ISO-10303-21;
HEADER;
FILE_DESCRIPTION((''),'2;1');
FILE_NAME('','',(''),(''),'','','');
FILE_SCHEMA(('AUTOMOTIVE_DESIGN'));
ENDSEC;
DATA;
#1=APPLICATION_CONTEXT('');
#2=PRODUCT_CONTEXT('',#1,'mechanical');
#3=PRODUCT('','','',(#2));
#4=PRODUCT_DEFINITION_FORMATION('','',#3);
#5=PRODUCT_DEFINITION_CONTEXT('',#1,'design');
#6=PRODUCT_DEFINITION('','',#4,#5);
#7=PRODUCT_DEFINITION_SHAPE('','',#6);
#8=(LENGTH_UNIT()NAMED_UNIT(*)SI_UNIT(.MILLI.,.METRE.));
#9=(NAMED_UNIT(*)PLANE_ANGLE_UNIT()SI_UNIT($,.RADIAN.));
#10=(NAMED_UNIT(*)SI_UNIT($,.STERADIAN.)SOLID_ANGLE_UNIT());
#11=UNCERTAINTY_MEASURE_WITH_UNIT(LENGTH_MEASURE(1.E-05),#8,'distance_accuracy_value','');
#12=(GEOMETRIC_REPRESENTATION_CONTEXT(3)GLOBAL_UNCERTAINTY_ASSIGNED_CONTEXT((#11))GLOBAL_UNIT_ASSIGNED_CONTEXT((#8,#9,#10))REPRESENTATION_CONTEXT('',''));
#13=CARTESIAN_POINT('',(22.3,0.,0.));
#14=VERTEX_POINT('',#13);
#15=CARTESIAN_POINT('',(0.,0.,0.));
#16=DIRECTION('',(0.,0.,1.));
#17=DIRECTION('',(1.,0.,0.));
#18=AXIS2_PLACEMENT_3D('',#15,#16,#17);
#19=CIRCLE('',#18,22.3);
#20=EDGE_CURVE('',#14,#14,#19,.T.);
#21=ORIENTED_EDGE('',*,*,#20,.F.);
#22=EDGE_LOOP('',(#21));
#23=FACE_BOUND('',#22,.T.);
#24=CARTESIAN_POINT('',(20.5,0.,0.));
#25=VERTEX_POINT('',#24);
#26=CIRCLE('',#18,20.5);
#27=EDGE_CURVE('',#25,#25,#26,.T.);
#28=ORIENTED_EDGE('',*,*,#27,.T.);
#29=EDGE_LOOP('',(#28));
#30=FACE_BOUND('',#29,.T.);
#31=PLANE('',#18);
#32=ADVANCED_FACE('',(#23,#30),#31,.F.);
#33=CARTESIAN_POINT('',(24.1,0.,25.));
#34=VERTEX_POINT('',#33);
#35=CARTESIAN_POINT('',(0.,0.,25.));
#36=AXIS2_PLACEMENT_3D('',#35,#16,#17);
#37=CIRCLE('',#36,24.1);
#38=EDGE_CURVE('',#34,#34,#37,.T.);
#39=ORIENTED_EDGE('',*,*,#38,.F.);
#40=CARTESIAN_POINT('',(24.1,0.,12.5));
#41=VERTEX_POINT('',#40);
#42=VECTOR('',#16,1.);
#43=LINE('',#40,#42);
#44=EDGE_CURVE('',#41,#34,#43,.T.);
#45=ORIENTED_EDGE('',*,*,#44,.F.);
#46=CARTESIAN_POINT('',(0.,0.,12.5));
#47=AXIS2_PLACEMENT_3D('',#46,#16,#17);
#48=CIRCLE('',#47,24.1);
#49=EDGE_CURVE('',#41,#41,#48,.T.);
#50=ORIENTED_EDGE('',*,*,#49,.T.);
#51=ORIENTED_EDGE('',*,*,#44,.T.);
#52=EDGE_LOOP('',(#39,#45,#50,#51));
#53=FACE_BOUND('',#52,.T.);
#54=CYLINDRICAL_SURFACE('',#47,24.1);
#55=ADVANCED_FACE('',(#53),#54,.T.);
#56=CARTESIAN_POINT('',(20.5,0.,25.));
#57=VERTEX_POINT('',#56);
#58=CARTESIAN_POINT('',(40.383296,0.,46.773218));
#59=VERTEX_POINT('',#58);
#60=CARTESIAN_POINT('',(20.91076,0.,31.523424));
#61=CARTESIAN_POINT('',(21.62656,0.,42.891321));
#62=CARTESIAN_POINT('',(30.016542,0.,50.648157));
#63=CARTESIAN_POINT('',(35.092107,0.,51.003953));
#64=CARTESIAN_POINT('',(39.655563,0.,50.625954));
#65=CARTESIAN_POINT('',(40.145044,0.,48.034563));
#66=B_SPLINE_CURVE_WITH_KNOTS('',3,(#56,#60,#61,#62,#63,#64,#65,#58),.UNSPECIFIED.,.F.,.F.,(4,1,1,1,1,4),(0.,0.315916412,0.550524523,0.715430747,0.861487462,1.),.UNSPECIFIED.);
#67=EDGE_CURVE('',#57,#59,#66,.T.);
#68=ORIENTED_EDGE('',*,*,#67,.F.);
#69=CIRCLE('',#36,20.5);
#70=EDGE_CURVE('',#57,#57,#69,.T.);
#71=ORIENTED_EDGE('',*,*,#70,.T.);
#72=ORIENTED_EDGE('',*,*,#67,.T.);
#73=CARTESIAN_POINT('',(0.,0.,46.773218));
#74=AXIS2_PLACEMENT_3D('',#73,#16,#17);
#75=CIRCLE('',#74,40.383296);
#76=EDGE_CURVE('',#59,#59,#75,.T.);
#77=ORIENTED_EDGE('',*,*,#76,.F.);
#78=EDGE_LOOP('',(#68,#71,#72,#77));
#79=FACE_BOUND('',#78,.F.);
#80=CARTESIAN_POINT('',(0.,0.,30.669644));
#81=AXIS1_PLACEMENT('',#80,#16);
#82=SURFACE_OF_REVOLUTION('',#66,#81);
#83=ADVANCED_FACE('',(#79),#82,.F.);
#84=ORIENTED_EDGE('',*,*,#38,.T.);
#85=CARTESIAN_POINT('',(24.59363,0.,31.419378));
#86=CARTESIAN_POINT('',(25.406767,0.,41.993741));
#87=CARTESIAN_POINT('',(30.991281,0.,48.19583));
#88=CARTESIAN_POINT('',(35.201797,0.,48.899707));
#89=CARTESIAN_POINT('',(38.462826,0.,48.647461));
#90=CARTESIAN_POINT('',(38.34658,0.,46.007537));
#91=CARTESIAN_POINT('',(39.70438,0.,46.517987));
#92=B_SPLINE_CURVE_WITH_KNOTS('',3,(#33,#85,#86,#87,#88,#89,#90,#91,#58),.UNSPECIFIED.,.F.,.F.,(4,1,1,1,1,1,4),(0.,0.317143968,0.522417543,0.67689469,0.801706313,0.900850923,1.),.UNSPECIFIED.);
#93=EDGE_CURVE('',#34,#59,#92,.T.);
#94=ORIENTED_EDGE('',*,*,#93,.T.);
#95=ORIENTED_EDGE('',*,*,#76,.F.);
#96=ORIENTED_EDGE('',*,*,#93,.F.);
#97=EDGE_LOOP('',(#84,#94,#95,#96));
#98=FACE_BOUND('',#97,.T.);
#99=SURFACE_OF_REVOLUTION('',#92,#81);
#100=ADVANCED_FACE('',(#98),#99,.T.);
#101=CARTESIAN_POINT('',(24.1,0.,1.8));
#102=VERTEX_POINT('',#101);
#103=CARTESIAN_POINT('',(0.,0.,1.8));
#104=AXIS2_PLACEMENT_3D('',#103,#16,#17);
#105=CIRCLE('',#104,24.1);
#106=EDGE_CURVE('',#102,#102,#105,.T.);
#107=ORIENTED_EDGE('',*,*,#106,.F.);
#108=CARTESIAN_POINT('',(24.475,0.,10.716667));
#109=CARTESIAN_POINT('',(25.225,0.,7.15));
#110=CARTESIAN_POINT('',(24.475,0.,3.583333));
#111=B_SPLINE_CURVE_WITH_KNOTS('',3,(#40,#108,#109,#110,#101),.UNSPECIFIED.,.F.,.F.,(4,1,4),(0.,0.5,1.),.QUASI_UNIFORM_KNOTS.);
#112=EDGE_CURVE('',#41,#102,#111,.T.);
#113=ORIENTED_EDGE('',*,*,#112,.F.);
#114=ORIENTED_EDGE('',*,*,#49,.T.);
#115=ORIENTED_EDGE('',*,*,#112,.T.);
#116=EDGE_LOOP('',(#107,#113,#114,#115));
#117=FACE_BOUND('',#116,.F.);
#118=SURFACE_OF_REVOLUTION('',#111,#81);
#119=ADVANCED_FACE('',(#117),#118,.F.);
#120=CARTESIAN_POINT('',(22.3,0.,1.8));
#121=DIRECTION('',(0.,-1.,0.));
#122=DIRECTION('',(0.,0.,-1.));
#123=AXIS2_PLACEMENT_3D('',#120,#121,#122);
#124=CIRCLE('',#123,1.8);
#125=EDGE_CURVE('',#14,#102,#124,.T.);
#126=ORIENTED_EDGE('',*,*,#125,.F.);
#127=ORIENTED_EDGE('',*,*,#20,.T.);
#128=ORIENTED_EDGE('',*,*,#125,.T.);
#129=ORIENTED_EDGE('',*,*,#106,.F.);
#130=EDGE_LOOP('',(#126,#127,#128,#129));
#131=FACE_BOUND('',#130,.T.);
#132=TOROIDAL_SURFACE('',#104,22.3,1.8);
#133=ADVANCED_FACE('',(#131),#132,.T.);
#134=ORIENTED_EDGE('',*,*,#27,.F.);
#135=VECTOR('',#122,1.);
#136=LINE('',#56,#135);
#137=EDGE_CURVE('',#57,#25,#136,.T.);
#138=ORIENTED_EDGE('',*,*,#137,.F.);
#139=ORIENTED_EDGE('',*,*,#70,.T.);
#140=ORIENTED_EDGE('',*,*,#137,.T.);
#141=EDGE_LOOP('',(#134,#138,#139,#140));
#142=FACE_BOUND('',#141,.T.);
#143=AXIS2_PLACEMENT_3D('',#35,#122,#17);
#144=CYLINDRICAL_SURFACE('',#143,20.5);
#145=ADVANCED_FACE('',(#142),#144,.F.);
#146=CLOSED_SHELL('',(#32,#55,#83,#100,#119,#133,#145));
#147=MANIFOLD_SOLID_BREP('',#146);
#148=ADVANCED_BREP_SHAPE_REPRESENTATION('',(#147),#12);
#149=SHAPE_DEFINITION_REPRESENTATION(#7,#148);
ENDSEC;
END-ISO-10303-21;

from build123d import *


with BuildPart() as f1:
    # F0 (on Front) → F1 (revolve)
    with BuildSketch(Plane.XZ):
        with BuildLine():
            Line((20.5, 25), (20.5, 0))
            Line((20.5, 0), (22.3, 0))
            ThreePointArc((22.3, 0), (23.5727922061, 0.5272077939), (24.1, 1.8))
            add(Edge.make_bspline(
                [(24.1, 12.5), (24.475, 10.7166666667), (25.225, 7.15), (24.475, 3.5833333333), (24.1, 1.8)],
                knots=[0, 0, 0, 0, 0.5, 1, 1, 1, 1], degree=3))
            Line((24.1, 12.5), (24.1, 25))
            add(Edge.make_bspline(
                [(24.1, 25), (24.5936304496, 31.419377683), (25.4067665419, 41.9937409294), (30.9912812997, 48.1958295594), (35.2017970551, 48.8997072199), (38.4628262974, 48.6474611543), (38.3465800839, 46.0075374194), (39.7043803551, 46.5179870532), (40.3832957815, 46.7732176185)],
                knots=[0, 0, 0, 0, 0.317143968, 0.5224175433, 0.6768946905, 0.8017063128, 0.9008509233, 1, 1, 1, 1], degree=3))
            add(Edge.make_bspline(
                [(20.5, 25), (20.9107595442, 31.5234243652), (21.6265602856, 42.8913208965), (30.0165419854, 50.6481570463), (35.0921068006, 51.0039531736), (39.6555627651, 50.6259541616), (40.1450436297, 48.034563127), (40.3832957815, 46.7732176185)],
                knots=[0, 0, 0, 0, 0.3159164124, 0.5505245233, 0.7154307468, 0.8614874619, 1, 1, 1, 1], degree=3))
        make_face()
    revolve(axis=Axis((0, 0, 30.669644475), (0, 0, 1)))


solid = f1.part
